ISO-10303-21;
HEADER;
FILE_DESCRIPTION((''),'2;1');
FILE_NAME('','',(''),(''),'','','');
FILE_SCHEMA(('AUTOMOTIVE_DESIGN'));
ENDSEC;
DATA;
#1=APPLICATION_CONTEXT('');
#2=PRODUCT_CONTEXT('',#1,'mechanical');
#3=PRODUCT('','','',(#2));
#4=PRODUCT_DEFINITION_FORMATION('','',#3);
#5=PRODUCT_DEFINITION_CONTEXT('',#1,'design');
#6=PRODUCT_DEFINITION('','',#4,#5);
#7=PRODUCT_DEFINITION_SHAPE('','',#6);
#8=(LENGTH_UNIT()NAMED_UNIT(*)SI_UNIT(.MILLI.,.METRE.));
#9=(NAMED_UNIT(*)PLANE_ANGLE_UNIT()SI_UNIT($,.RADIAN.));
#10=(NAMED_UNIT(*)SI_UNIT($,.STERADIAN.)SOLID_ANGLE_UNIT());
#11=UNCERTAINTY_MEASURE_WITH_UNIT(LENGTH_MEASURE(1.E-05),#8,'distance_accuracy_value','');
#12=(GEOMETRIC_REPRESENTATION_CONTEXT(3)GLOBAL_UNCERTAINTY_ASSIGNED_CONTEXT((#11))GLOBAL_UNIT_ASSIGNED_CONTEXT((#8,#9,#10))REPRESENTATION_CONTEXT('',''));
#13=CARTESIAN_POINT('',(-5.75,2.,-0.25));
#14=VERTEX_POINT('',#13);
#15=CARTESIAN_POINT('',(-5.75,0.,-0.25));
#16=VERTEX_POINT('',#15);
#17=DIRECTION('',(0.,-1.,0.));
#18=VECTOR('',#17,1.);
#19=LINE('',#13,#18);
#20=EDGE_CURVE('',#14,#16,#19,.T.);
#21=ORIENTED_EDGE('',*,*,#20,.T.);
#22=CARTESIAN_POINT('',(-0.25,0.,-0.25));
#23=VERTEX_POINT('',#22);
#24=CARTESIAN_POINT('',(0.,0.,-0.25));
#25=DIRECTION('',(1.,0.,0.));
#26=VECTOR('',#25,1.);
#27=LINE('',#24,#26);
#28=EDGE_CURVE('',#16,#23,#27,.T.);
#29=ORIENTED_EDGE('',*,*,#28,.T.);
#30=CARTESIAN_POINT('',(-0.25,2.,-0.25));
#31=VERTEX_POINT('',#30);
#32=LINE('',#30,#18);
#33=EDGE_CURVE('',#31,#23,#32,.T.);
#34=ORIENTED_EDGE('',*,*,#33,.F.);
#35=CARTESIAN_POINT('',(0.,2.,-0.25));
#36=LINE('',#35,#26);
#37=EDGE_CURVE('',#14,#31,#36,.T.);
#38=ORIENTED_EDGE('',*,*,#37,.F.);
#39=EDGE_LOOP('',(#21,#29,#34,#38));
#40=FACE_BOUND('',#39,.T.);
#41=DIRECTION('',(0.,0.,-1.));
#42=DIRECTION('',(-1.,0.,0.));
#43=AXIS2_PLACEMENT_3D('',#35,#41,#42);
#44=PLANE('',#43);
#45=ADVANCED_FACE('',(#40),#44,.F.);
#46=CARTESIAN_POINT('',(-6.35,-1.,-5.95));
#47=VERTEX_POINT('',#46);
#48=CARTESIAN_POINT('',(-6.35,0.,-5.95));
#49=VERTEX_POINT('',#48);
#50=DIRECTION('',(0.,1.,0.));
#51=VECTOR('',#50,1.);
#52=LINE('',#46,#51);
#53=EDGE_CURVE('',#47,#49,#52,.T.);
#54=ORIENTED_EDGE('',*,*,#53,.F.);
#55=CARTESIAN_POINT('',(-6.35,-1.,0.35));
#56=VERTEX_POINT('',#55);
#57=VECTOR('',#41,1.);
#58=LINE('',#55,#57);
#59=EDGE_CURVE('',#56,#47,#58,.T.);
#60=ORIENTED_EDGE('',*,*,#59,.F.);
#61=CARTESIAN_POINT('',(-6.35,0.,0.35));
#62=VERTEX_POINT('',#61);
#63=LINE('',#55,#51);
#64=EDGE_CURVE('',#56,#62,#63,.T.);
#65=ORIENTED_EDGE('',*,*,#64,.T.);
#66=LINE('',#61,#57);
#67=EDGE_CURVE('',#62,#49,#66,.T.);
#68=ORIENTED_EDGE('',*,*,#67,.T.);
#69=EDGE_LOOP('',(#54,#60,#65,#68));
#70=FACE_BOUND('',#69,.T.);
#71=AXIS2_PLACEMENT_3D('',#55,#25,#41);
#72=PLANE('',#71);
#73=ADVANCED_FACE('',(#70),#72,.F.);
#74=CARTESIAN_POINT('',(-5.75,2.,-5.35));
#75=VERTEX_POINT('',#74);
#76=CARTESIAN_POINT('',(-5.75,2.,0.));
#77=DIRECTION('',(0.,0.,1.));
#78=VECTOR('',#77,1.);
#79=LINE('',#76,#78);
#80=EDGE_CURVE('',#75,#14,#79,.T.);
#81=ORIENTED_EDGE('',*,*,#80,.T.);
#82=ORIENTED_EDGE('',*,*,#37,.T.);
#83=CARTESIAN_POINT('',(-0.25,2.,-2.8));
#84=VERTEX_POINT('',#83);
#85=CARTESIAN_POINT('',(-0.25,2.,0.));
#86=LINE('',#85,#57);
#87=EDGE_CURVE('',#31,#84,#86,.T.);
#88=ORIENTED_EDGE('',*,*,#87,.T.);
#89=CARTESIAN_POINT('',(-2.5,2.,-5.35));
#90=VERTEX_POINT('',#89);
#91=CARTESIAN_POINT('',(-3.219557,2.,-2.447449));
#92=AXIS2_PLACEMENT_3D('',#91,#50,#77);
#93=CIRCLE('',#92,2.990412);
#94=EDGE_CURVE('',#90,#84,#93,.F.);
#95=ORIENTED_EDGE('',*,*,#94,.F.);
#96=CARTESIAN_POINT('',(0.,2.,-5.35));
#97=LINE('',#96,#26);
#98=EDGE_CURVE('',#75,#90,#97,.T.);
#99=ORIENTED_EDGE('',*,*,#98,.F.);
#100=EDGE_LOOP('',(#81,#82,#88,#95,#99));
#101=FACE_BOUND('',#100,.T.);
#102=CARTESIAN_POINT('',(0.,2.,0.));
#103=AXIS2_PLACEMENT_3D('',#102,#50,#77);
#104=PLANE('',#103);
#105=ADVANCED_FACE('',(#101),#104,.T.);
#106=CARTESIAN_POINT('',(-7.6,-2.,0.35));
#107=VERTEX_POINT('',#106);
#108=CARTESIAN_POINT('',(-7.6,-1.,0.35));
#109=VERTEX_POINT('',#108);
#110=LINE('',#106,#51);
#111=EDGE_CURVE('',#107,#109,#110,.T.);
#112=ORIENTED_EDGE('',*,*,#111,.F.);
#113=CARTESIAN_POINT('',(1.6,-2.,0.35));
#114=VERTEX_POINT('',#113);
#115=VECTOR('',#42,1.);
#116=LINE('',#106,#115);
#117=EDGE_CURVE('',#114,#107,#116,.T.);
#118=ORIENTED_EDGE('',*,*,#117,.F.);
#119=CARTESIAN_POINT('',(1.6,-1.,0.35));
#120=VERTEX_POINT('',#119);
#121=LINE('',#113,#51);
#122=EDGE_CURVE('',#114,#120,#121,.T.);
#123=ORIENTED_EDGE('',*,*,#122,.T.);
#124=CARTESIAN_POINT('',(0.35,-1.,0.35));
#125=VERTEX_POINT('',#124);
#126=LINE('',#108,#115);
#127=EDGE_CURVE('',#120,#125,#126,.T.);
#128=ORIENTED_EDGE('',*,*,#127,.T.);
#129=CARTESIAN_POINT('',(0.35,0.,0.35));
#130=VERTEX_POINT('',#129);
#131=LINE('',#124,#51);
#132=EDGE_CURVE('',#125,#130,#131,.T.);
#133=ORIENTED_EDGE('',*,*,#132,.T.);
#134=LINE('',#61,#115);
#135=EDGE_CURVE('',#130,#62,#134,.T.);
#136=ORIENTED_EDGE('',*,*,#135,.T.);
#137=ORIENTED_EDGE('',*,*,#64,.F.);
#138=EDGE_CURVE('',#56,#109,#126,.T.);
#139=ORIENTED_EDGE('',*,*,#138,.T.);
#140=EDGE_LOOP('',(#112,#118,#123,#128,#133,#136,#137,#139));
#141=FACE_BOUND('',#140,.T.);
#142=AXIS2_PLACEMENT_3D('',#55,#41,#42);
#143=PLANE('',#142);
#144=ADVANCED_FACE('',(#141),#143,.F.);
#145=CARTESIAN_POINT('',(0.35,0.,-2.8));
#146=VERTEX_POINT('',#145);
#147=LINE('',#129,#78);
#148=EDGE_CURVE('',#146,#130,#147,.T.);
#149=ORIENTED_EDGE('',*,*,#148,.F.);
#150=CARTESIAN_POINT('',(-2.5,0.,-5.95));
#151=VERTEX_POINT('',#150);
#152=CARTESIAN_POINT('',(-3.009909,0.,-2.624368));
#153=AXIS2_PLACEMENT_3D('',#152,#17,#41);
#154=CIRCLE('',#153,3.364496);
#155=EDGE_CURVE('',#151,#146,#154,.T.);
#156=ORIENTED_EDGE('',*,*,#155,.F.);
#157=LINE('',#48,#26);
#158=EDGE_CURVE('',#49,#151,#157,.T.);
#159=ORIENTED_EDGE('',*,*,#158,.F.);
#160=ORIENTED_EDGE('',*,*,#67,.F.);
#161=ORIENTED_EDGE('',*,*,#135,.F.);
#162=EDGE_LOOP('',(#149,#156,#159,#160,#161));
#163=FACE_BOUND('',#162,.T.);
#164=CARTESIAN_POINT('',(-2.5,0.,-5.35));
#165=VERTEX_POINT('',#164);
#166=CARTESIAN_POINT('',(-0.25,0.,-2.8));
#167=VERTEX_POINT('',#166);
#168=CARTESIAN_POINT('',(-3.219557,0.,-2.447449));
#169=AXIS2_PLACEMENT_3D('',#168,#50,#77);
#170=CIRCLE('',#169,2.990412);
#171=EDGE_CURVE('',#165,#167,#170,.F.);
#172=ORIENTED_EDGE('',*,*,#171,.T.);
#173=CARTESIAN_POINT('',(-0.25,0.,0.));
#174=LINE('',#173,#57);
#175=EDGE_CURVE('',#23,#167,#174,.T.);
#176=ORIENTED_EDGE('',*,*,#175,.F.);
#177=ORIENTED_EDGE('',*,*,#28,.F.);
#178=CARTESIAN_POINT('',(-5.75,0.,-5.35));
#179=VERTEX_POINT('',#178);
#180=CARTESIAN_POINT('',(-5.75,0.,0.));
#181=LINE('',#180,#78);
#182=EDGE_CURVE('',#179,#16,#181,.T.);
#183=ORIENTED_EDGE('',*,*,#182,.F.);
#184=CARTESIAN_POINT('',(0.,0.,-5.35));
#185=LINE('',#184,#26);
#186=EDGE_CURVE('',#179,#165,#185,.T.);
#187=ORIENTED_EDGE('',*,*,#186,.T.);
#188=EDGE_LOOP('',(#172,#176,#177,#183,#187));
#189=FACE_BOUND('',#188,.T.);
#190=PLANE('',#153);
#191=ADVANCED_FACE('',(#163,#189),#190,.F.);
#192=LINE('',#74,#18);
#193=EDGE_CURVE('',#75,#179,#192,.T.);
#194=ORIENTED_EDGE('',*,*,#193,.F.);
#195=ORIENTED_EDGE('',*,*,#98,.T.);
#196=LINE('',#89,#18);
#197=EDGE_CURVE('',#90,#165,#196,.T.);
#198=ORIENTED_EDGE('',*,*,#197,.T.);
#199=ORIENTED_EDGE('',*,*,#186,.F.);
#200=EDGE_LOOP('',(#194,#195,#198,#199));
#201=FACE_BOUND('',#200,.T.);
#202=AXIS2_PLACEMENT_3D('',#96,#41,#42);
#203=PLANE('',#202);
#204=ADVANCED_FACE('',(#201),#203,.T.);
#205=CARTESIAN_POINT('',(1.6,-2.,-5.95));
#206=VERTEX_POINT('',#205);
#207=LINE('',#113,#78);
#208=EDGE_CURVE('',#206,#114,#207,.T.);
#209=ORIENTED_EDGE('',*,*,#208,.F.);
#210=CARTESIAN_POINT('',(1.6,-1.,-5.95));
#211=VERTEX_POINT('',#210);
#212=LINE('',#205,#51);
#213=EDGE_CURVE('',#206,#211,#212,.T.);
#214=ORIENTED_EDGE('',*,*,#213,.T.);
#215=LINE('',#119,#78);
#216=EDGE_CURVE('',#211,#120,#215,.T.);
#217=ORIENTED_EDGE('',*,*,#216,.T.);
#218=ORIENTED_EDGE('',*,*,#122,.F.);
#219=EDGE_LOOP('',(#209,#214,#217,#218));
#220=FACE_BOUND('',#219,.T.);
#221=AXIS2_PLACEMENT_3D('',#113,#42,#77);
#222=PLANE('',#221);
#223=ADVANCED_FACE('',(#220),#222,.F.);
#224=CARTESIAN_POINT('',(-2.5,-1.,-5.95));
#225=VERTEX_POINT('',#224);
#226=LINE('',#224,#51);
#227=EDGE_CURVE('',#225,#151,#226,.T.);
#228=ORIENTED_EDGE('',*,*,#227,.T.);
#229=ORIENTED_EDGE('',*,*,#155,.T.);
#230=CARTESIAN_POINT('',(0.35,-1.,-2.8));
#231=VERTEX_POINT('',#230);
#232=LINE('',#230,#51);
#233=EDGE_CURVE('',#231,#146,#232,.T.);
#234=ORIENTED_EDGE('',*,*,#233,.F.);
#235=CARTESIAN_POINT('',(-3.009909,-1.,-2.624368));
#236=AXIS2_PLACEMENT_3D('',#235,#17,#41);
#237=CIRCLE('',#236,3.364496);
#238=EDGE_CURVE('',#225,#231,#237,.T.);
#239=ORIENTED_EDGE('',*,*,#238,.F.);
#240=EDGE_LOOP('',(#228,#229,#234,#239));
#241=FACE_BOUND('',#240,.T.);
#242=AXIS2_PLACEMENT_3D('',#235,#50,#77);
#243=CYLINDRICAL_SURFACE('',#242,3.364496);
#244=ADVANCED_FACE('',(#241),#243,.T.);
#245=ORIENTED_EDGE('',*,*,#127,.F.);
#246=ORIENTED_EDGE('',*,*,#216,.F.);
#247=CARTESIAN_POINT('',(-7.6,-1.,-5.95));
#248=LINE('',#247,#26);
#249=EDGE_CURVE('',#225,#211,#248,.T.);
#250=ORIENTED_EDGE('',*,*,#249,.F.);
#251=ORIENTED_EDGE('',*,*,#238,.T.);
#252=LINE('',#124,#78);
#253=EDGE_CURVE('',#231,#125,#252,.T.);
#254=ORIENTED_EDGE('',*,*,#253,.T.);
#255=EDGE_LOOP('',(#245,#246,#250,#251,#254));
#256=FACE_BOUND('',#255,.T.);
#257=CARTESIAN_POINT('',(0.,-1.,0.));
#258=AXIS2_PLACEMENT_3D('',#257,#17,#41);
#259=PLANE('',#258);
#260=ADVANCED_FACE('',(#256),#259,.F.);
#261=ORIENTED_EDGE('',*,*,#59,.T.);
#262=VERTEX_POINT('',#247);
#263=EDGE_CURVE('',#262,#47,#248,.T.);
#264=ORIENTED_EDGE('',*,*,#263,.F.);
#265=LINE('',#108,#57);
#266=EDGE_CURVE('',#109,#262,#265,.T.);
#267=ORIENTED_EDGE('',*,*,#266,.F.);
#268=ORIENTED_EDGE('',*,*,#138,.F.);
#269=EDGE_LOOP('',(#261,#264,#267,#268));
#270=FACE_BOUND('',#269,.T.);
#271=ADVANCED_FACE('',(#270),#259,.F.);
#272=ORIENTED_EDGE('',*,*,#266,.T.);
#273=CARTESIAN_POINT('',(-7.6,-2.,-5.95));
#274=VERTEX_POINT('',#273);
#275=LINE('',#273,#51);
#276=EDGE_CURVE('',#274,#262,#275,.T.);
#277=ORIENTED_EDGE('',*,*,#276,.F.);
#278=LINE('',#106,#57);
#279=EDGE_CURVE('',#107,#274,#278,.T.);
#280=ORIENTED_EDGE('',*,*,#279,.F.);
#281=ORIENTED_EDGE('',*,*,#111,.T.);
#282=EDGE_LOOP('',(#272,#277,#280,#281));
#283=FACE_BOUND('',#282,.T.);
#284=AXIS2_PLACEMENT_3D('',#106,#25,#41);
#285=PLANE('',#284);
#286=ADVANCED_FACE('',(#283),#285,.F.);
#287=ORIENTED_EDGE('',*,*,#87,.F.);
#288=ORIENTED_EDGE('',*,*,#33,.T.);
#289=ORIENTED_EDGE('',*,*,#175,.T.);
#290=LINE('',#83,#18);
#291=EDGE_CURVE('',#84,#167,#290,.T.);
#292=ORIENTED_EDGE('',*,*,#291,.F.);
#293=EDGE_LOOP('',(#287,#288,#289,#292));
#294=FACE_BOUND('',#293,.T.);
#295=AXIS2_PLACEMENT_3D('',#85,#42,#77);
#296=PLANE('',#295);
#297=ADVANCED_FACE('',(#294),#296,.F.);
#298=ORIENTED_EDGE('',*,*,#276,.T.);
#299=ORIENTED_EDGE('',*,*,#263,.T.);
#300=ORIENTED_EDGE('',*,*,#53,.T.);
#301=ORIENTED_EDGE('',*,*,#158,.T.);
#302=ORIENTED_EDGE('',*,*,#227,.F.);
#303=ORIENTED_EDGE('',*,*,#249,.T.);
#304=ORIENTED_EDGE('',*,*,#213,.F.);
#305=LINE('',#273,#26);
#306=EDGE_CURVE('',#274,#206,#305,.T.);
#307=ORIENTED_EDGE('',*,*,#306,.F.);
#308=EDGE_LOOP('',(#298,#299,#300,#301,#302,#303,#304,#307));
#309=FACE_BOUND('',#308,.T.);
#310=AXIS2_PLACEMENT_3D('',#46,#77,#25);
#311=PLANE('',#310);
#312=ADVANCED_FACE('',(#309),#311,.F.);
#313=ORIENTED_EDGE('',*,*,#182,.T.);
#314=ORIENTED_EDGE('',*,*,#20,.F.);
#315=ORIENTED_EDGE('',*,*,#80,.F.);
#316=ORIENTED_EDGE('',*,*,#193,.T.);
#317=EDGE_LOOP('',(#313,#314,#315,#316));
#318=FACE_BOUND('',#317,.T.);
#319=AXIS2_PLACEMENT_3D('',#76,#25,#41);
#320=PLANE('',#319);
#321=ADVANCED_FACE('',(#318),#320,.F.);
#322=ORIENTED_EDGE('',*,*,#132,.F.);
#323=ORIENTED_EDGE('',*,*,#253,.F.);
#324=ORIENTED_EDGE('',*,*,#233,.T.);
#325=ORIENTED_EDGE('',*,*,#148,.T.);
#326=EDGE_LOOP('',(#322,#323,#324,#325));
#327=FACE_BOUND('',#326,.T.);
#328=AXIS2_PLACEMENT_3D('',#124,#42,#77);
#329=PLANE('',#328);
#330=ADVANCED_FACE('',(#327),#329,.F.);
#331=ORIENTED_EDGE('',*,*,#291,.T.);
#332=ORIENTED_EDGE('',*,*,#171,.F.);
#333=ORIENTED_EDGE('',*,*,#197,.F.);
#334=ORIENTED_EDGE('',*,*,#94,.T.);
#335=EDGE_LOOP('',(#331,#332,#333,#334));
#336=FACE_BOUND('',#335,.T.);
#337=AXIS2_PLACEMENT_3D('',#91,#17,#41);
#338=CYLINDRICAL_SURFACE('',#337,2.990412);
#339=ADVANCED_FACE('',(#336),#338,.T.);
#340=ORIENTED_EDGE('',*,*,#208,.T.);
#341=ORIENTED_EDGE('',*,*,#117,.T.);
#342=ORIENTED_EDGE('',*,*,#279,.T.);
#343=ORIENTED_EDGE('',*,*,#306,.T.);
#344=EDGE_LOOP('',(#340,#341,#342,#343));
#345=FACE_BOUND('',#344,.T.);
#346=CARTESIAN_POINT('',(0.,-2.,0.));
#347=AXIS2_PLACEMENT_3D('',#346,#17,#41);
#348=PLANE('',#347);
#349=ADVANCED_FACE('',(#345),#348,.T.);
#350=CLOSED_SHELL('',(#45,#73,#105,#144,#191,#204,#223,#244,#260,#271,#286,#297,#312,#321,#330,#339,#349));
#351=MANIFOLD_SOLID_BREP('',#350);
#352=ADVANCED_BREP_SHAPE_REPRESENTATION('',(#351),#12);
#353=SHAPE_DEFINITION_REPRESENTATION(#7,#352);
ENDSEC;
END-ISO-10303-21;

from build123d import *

# Parameters (mm, degrees)
BOSS_EXTRUDE2_DEPTH = 2
BOSS_EXTRUDE3_DEPTH = 1
SKETCH4_W           = 9.2
SKETCH4_H           = 6.3
BOSS_EXTRUDE4_DEPTH = 1


with BuildPart() as part:
    # Sketch2 → Boss-Extrude2 (new body)
    with BuildSketch(Plane(origin=(0, 0, 0), x_dir=(1, 0, 0), z_dir=(0, 1, 0))):
        with BuildLine():
            Line((-2.5, 5.35), (-5.75, 5.35))
            Line((-5.75, 5.35), (-5.75, 2.8))
            Line((-5.75, 2.8), (-5.75, 0.25))
            Line((-5.75, 0.25), (-0.25, 0.25))
            Line((-0.25, 0.25), (-0.25, 2.8))
            ThreePointArc((-0.25, 2.8), (-0.977233386, 4.425970541), (-2.5, 5.35))
        make_face()
    extrude(amount=BOSS_EXTRUDE2_DEPTH)

    # Sketch3 → Boss-Extrude3 (add)
    with BuildSketch(Plane.XZ):
        with BuildLine():
            Line((-6.35, 0.35), (0.35, 0.35))
            Line((0.35, 0.35), (0.35, -2.8))
            ThreePointArc((0.35, -2.8), (-0.515014693, -4.881653373), (-2.5, -5.95))
            Line((-2.5, -5.95), (-6.35, -5.95))
            Line((-6.35, -5.95), (-6.35, 0.35))
        make_face()
    extrude(amount=BOSS_EXTRUDE3_DEPTH)

    # Sketch4 → Boss-Extrude4 (add)
    with BuildSketch(Plane.XZ.offset(1)):
        with Locations((-3, -2.8)):
            Rectangle(SKETCH4_W, SKETCH4_H)
    extrude(amount=BOSS_EXTRUDE4_DEPTH)


solid = part.part
